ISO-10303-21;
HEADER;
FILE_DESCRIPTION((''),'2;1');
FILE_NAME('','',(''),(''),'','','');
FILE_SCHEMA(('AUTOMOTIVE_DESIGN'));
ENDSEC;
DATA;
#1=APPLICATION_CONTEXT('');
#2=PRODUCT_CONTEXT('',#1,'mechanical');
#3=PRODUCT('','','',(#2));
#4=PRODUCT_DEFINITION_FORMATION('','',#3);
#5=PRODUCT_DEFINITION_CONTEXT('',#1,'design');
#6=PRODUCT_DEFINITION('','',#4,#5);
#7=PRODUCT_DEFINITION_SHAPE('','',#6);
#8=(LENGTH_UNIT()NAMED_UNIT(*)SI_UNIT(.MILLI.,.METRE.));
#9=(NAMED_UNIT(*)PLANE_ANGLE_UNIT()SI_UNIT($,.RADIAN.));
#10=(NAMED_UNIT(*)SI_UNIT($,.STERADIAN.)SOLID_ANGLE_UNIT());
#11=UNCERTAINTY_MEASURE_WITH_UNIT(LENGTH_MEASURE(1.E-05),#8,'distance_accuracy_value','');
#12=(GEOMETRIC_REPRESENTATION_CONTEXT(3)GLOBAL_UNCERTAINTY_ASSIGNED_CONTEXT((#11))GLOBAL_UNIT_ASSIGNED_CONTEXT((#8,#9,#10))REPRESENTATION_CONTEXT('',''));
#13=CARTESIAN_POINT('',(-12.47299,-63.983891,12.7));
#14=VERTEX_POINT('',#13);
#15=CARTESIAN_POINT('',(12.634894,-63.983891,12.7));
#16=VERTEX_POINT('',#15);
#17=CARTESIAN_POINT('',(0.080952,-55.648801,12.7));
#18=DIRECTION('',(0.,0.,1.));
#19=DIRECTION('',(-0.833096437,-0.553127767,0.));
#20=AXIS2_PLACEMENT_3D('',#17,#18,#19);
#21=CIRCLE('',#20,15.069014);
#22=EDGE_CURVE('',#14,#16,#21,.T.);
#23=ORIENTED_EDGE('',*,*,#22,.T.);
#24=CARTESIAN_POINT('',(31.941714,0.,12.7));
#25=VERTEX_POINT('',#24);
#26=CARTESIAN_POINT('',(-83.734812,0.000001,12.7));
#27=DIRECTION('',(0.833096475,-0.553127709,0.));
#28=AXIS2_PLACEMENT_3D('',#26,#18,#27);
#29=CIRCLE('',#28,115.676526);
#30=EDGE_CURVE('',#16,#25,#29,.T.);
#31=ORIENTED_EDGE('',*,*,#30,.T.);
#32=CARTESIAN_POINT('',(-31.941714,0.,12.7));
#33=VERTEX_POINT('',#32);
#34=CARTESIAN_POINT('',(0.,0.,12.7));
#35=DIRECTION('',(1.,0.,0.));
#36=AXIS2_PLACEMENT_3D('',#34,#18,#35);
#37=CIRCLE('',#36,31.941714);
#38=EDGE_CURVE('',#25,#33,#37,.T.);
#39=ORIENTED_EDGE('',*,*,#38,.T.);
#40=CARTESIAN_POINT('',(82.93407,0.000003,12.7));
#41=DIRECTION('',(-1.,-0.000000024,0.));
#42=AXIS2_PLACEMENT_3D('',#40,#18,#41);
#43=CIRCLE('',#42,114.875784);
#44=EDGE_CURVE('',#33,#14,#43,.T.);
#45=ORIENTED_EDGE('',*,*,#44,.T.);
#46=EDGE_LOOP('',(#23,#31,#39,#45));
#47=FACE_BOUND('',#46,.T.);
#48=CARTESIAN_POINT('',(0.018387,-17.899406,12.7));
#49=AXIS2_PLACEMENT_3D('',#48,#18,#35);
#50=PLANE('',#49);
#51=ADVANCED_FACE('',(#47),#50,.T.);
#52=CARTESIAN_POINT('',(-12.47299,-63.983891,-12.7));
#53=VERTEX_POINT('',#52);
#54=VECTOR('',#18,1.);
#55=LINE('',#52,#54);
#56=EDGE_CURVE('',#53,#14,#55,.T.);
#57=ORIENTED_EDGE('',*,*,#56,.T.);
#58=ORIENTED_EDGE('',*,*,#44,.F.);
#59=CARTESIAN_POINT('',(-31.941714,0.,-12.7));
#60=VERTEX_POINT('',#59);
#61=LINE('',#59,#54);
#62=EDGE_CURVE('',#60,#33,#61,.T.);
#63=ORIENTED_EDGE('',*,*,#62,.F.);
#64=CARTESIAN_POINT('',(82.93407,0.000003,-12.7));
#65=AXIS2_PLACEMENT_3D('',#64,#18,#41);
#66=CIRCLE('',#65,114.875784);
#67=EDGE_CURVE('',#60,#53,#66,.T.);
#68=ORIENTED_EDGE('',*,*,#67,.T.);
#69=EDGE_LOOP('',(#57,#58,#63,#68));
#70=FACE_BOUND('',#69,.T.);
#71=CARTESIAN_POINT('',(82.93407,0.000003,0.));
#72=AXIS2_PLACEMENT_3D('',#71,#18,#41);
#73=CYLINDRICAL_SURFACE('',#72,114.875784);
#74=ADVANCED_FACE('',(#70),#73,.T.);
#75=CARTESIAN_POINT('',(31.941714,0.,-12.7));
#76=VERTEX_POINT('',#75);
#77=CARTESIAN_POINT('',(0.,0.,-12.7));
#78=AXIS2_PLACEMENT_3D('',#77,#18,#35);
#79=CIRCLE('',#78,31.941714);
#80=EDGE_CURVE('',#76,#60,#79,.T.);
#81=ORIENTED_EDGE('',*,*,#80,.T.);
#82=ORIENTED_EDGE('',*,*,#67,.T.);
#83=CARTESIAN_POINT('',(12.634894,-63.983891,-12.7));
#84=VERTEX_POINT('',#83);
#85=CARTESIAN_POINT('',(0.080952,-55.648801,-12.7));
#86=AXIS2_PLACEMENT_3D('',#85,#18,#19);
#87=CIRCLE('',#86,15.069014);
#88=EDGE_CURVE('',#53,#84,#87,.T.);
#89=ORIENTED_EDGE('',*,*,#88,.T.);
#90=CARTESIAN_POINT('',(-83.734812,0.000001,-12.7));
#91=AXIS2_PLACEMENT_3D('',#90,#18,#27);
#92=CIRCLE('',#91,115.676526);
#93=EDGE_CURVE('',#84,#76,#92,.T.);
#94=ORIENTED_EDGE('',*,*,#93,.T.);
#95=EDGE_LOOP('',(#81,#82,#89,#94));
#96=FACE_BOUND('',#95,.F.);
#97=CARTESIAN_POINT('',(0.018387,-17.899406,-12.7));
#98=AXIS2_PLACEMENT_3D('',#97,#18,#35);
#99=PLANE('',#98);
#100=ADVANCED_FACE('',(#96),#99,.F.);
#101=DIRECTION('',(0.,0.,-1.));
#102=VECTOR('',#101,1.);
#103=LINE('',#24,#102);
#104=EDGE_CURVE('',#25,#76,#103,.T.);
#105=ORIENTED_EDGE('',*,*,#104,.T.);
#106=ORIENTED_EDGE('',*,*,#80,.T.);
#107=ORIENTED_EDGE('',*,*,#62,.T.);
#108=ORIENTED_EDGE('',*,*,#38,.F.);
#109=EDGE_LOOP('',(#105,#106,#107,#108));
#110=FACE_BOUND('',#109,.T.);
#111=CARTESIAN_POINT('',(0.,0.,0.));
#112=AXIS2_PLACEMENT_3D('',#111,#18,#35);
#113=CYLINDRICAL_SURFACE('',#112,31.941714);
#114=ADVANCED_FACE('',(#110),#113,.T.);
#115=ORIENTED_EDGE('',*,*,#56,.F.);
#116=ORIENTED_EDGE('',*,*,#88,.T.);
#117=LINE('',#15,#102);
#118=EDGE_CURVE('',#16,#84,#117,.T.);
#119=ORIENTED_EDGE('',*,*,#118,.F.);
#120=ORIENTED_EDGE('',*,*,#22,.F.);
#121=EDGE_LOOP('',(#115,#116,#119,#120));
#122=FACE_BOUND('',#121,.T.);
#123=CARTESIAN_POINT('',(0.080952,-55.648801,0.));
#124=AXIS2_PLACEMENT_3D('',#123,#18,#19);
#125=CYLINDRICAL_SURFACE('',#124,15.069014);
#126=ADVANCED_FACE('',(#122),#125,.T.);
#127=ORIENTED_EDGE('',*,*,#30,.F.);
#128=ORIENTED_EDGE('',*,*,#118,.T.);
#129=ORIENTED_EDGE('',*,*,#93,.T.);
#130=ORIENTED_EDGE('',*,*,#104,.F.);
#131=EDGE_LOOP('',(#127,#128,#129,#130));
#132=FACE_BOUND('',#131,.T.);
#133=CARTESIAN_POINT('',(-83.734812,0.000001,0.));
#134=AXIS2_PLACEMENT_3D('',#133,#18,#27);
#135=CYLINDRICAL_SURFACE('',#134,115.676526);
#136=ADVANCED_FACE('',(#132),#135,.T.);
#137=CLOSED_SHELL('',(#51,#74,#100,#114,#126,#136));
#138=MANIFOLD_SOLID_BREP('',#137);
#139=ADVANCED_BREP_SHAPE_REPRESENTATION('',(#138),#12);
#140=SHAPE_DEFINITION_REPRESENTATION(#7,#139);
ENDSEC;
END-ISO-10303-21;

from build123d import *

# Parameters (mm, degrees)
F1_DEPTH = 12.7


with BuildPart() as f1:
    # F0 (on Top) → F1 (new body, symmetric)
    with BuildSketch(Plane.XY):
        with BuildLine():
            ThreePointArc((31.941714, 0), (0, 31.941714), (-31.941714, 0))
            ThreePointArc((-31.941714, 0), (-26.966809, -33.440131), (-12.47299, -63.983891))
            ThreePointArc((-12.47299, -63.983891), (0.080952, -70.717815), (12.634894, -63.983891))
            ThreePointArc((12.634894, -63.983891), (27.009875, -33.416656), (31.941714, 0))
        make_face()
    extrude(amount=F1_DEPTH, both=True)


solid = f1.part
